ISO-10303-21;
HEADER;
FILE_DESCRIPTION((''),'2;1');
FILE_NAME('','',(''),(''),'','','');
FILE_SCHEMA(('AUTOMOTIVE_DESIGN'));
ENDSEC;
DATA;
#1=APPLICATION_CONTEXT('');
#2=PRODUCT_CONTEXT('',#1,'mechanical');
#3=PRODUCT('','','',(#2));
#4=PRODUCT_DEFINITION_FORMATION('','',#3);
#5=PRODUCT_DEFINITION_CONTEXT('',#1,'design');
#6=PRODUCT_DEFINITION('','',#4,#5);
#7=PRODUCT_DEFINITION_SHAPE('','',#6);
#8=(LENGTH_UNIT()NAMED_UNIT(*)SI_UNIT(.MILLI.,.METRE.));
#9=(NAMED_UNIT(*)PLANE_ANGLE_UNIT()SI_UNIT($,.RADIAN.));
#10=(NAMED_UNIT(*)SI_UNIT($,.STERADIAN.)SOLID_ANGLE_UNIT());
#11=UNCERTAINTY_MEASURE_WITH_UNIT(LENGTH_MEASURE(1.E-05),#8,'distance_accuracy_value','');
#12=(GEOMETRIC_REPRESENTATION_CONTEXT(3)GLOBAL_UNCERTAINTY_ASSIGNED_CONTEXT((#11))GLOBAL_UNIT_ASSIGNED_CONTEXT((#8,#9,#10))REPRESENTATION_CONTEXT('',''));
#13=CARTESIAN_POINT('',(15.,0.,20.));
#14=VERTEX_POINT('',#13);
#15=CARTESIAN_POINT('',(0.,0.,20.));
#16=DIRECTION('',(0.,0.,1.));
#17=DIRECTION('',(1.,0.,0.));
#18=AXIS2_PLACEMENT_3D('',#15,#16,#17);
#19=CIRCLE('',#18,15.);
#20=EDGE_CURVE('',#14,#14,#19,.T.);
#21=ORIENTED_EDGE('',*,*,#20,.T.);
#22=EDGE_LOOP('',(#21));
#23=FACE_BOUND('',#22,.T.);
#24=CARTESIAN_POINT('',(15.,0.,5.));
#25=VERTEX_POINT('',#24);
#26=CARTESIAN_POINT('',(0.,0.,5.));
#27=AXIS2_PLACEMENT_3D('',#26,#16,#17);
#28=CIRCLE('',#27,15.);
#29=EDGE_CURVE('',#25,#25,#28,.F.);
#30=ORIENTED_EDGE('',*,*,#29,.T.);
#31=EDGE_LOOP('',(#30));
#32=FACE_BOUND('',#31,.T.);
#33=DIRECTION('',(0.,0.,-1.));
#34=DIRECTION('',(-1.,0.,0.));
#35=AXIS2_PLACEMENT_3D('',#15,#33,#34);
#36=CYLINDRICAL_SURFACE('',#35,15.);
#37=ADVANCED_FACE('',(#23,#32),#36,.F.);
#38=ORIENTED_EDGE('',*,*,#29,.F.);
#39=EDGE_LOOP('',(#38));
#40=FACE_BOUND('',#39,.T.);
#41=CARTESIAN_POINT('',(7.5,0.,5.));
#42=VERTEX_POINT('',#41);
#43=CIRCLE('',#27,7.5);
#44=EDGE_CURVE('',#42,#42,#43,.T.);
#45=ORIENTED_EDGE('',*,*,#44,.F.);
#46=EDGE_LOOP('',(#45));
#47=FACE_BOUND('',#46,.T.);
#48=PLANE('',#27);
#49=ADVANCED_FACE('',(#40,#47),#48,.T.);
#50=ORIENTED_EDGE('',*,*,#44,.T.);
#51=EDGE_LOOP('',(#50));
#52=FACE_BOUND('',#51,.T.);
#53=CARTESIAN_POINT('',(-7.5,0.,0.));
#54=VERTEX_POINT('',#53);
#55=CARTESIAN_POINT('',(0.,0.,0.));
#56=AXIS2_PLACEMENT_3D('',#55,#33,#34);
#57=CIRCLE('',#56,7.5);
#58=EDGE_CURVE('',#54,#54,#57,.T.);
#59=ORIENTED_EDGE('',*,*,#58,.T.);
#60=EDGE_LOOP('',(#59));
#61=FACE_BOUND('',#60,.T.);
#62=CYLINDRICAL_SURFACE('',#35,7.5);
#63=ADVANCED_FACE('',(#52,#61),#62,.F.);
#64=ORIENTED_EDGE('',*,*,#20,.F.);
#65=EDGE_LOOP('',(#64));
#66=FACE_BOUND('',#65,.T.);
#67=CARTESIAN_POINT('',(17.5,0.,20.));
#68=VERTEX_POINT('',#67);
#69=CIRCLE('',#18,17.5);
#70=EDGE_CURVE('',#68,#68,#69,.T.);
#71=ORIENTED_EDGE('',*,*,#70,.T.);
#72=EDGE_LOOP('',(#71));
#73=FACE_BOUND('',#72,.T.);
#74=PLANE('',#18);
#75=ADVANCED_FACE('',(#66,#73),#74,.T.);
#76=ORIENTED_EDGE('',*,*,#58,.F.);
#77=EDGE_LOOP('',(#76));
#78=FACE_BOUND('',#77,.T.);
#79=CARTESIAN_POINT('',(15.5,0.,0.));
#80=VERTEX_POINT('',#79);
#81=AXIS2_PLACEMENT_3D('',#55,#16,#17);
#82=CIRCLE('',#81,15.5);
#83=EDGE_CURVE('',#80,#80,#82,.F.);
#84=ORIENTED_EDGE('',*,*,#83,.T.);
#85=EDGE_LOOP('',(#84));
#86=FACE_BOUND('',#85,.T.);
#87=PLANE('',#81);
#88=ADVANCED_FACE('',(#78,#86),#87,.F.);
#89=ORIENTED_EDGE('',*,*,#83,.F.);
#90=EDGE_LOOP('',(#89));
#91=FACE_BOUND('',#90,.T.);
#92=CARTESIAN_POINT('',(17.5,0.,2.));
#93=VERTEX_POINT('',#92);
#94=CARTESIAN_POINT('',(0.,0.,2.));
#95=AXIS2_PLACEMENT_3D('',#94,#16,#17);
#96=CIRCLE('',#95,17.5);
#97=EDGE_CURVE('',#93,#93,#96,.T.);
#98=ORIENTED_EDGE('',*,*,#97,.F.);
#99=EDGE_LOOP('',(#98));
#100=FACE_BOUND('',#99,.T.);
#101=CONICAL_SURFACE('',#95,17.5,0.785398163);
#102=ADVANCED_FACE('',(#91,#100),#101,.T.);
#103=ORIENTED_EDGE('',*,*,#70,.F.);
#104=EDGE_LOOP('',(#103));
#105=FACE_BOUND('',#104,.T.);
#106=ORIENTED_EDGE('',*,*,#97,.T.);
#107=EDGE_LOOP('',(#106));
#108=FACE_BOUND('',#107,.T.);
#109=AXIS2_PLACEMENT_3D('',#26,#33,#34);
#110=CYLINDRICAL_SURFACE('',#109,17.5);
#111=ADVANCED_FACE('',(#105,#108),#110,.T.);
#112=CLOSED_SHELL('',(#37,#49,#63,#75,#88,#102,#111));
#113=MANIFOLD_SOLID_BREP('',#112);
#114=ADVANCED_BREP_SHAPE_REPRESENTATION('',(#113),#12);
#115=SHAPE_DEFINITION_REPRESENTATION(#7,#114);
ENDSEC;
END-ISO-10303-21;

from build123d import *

# Parameters (mm, degrees)
SKETCH1_R           = 17.5
BOSS_EXTRUDE1_DEPTH = 5
SKETCH2_R           = 17.5
SKETCH2_R_2         = 15
BOSS_EXTRUDE2_DEPTH = 15
SKETCH3_R           = 7.5
CUT_EXTRUDE1_DEPTH  = 21
CHAMFER1_SIZE       = 2


with BuildPart() as part:
    # Sketch1 → Boss-Extrude1 (new body)
    with BuildSketch(Plane.XY):
        Circle(SKETCH1_R)
    extrude(amount=BOSS_EXTRUDE1_DEPTH)

    # Sketch2 → Boss-Extrude2 (add)
    with BuildSketch(Plane.XY.offset(5)):
        Circle(SKETCH2_R)
        Circle(SKETCH2_R_2, mode=Mode.SUBTRACT)
    extrude(amount=BOSS_EXTRUDE2_DEPTH)

    # Sketch3 → Cut-Extrude1 (cut, through all)
    with BuildSketch(Plane(origin=(0, 0, 0), x_dir=(-1, 0, 0), z_dir=(0, 0, -1))):
        Circle(SKETCH3_R)
    extrude(amount=-CUT_EXTRUDE1_DEPTH, mode=Mode.SUBTRACT)

    # Chamfer1
    chamfer1_edges = [part.edges().sort_by_distance(p)[0] for p in [
        (-17.5, 0, 0),
    ]]
    chamfer(chamfer1_edges, length=CHAMFER1_SIZE)


solid = part.part
